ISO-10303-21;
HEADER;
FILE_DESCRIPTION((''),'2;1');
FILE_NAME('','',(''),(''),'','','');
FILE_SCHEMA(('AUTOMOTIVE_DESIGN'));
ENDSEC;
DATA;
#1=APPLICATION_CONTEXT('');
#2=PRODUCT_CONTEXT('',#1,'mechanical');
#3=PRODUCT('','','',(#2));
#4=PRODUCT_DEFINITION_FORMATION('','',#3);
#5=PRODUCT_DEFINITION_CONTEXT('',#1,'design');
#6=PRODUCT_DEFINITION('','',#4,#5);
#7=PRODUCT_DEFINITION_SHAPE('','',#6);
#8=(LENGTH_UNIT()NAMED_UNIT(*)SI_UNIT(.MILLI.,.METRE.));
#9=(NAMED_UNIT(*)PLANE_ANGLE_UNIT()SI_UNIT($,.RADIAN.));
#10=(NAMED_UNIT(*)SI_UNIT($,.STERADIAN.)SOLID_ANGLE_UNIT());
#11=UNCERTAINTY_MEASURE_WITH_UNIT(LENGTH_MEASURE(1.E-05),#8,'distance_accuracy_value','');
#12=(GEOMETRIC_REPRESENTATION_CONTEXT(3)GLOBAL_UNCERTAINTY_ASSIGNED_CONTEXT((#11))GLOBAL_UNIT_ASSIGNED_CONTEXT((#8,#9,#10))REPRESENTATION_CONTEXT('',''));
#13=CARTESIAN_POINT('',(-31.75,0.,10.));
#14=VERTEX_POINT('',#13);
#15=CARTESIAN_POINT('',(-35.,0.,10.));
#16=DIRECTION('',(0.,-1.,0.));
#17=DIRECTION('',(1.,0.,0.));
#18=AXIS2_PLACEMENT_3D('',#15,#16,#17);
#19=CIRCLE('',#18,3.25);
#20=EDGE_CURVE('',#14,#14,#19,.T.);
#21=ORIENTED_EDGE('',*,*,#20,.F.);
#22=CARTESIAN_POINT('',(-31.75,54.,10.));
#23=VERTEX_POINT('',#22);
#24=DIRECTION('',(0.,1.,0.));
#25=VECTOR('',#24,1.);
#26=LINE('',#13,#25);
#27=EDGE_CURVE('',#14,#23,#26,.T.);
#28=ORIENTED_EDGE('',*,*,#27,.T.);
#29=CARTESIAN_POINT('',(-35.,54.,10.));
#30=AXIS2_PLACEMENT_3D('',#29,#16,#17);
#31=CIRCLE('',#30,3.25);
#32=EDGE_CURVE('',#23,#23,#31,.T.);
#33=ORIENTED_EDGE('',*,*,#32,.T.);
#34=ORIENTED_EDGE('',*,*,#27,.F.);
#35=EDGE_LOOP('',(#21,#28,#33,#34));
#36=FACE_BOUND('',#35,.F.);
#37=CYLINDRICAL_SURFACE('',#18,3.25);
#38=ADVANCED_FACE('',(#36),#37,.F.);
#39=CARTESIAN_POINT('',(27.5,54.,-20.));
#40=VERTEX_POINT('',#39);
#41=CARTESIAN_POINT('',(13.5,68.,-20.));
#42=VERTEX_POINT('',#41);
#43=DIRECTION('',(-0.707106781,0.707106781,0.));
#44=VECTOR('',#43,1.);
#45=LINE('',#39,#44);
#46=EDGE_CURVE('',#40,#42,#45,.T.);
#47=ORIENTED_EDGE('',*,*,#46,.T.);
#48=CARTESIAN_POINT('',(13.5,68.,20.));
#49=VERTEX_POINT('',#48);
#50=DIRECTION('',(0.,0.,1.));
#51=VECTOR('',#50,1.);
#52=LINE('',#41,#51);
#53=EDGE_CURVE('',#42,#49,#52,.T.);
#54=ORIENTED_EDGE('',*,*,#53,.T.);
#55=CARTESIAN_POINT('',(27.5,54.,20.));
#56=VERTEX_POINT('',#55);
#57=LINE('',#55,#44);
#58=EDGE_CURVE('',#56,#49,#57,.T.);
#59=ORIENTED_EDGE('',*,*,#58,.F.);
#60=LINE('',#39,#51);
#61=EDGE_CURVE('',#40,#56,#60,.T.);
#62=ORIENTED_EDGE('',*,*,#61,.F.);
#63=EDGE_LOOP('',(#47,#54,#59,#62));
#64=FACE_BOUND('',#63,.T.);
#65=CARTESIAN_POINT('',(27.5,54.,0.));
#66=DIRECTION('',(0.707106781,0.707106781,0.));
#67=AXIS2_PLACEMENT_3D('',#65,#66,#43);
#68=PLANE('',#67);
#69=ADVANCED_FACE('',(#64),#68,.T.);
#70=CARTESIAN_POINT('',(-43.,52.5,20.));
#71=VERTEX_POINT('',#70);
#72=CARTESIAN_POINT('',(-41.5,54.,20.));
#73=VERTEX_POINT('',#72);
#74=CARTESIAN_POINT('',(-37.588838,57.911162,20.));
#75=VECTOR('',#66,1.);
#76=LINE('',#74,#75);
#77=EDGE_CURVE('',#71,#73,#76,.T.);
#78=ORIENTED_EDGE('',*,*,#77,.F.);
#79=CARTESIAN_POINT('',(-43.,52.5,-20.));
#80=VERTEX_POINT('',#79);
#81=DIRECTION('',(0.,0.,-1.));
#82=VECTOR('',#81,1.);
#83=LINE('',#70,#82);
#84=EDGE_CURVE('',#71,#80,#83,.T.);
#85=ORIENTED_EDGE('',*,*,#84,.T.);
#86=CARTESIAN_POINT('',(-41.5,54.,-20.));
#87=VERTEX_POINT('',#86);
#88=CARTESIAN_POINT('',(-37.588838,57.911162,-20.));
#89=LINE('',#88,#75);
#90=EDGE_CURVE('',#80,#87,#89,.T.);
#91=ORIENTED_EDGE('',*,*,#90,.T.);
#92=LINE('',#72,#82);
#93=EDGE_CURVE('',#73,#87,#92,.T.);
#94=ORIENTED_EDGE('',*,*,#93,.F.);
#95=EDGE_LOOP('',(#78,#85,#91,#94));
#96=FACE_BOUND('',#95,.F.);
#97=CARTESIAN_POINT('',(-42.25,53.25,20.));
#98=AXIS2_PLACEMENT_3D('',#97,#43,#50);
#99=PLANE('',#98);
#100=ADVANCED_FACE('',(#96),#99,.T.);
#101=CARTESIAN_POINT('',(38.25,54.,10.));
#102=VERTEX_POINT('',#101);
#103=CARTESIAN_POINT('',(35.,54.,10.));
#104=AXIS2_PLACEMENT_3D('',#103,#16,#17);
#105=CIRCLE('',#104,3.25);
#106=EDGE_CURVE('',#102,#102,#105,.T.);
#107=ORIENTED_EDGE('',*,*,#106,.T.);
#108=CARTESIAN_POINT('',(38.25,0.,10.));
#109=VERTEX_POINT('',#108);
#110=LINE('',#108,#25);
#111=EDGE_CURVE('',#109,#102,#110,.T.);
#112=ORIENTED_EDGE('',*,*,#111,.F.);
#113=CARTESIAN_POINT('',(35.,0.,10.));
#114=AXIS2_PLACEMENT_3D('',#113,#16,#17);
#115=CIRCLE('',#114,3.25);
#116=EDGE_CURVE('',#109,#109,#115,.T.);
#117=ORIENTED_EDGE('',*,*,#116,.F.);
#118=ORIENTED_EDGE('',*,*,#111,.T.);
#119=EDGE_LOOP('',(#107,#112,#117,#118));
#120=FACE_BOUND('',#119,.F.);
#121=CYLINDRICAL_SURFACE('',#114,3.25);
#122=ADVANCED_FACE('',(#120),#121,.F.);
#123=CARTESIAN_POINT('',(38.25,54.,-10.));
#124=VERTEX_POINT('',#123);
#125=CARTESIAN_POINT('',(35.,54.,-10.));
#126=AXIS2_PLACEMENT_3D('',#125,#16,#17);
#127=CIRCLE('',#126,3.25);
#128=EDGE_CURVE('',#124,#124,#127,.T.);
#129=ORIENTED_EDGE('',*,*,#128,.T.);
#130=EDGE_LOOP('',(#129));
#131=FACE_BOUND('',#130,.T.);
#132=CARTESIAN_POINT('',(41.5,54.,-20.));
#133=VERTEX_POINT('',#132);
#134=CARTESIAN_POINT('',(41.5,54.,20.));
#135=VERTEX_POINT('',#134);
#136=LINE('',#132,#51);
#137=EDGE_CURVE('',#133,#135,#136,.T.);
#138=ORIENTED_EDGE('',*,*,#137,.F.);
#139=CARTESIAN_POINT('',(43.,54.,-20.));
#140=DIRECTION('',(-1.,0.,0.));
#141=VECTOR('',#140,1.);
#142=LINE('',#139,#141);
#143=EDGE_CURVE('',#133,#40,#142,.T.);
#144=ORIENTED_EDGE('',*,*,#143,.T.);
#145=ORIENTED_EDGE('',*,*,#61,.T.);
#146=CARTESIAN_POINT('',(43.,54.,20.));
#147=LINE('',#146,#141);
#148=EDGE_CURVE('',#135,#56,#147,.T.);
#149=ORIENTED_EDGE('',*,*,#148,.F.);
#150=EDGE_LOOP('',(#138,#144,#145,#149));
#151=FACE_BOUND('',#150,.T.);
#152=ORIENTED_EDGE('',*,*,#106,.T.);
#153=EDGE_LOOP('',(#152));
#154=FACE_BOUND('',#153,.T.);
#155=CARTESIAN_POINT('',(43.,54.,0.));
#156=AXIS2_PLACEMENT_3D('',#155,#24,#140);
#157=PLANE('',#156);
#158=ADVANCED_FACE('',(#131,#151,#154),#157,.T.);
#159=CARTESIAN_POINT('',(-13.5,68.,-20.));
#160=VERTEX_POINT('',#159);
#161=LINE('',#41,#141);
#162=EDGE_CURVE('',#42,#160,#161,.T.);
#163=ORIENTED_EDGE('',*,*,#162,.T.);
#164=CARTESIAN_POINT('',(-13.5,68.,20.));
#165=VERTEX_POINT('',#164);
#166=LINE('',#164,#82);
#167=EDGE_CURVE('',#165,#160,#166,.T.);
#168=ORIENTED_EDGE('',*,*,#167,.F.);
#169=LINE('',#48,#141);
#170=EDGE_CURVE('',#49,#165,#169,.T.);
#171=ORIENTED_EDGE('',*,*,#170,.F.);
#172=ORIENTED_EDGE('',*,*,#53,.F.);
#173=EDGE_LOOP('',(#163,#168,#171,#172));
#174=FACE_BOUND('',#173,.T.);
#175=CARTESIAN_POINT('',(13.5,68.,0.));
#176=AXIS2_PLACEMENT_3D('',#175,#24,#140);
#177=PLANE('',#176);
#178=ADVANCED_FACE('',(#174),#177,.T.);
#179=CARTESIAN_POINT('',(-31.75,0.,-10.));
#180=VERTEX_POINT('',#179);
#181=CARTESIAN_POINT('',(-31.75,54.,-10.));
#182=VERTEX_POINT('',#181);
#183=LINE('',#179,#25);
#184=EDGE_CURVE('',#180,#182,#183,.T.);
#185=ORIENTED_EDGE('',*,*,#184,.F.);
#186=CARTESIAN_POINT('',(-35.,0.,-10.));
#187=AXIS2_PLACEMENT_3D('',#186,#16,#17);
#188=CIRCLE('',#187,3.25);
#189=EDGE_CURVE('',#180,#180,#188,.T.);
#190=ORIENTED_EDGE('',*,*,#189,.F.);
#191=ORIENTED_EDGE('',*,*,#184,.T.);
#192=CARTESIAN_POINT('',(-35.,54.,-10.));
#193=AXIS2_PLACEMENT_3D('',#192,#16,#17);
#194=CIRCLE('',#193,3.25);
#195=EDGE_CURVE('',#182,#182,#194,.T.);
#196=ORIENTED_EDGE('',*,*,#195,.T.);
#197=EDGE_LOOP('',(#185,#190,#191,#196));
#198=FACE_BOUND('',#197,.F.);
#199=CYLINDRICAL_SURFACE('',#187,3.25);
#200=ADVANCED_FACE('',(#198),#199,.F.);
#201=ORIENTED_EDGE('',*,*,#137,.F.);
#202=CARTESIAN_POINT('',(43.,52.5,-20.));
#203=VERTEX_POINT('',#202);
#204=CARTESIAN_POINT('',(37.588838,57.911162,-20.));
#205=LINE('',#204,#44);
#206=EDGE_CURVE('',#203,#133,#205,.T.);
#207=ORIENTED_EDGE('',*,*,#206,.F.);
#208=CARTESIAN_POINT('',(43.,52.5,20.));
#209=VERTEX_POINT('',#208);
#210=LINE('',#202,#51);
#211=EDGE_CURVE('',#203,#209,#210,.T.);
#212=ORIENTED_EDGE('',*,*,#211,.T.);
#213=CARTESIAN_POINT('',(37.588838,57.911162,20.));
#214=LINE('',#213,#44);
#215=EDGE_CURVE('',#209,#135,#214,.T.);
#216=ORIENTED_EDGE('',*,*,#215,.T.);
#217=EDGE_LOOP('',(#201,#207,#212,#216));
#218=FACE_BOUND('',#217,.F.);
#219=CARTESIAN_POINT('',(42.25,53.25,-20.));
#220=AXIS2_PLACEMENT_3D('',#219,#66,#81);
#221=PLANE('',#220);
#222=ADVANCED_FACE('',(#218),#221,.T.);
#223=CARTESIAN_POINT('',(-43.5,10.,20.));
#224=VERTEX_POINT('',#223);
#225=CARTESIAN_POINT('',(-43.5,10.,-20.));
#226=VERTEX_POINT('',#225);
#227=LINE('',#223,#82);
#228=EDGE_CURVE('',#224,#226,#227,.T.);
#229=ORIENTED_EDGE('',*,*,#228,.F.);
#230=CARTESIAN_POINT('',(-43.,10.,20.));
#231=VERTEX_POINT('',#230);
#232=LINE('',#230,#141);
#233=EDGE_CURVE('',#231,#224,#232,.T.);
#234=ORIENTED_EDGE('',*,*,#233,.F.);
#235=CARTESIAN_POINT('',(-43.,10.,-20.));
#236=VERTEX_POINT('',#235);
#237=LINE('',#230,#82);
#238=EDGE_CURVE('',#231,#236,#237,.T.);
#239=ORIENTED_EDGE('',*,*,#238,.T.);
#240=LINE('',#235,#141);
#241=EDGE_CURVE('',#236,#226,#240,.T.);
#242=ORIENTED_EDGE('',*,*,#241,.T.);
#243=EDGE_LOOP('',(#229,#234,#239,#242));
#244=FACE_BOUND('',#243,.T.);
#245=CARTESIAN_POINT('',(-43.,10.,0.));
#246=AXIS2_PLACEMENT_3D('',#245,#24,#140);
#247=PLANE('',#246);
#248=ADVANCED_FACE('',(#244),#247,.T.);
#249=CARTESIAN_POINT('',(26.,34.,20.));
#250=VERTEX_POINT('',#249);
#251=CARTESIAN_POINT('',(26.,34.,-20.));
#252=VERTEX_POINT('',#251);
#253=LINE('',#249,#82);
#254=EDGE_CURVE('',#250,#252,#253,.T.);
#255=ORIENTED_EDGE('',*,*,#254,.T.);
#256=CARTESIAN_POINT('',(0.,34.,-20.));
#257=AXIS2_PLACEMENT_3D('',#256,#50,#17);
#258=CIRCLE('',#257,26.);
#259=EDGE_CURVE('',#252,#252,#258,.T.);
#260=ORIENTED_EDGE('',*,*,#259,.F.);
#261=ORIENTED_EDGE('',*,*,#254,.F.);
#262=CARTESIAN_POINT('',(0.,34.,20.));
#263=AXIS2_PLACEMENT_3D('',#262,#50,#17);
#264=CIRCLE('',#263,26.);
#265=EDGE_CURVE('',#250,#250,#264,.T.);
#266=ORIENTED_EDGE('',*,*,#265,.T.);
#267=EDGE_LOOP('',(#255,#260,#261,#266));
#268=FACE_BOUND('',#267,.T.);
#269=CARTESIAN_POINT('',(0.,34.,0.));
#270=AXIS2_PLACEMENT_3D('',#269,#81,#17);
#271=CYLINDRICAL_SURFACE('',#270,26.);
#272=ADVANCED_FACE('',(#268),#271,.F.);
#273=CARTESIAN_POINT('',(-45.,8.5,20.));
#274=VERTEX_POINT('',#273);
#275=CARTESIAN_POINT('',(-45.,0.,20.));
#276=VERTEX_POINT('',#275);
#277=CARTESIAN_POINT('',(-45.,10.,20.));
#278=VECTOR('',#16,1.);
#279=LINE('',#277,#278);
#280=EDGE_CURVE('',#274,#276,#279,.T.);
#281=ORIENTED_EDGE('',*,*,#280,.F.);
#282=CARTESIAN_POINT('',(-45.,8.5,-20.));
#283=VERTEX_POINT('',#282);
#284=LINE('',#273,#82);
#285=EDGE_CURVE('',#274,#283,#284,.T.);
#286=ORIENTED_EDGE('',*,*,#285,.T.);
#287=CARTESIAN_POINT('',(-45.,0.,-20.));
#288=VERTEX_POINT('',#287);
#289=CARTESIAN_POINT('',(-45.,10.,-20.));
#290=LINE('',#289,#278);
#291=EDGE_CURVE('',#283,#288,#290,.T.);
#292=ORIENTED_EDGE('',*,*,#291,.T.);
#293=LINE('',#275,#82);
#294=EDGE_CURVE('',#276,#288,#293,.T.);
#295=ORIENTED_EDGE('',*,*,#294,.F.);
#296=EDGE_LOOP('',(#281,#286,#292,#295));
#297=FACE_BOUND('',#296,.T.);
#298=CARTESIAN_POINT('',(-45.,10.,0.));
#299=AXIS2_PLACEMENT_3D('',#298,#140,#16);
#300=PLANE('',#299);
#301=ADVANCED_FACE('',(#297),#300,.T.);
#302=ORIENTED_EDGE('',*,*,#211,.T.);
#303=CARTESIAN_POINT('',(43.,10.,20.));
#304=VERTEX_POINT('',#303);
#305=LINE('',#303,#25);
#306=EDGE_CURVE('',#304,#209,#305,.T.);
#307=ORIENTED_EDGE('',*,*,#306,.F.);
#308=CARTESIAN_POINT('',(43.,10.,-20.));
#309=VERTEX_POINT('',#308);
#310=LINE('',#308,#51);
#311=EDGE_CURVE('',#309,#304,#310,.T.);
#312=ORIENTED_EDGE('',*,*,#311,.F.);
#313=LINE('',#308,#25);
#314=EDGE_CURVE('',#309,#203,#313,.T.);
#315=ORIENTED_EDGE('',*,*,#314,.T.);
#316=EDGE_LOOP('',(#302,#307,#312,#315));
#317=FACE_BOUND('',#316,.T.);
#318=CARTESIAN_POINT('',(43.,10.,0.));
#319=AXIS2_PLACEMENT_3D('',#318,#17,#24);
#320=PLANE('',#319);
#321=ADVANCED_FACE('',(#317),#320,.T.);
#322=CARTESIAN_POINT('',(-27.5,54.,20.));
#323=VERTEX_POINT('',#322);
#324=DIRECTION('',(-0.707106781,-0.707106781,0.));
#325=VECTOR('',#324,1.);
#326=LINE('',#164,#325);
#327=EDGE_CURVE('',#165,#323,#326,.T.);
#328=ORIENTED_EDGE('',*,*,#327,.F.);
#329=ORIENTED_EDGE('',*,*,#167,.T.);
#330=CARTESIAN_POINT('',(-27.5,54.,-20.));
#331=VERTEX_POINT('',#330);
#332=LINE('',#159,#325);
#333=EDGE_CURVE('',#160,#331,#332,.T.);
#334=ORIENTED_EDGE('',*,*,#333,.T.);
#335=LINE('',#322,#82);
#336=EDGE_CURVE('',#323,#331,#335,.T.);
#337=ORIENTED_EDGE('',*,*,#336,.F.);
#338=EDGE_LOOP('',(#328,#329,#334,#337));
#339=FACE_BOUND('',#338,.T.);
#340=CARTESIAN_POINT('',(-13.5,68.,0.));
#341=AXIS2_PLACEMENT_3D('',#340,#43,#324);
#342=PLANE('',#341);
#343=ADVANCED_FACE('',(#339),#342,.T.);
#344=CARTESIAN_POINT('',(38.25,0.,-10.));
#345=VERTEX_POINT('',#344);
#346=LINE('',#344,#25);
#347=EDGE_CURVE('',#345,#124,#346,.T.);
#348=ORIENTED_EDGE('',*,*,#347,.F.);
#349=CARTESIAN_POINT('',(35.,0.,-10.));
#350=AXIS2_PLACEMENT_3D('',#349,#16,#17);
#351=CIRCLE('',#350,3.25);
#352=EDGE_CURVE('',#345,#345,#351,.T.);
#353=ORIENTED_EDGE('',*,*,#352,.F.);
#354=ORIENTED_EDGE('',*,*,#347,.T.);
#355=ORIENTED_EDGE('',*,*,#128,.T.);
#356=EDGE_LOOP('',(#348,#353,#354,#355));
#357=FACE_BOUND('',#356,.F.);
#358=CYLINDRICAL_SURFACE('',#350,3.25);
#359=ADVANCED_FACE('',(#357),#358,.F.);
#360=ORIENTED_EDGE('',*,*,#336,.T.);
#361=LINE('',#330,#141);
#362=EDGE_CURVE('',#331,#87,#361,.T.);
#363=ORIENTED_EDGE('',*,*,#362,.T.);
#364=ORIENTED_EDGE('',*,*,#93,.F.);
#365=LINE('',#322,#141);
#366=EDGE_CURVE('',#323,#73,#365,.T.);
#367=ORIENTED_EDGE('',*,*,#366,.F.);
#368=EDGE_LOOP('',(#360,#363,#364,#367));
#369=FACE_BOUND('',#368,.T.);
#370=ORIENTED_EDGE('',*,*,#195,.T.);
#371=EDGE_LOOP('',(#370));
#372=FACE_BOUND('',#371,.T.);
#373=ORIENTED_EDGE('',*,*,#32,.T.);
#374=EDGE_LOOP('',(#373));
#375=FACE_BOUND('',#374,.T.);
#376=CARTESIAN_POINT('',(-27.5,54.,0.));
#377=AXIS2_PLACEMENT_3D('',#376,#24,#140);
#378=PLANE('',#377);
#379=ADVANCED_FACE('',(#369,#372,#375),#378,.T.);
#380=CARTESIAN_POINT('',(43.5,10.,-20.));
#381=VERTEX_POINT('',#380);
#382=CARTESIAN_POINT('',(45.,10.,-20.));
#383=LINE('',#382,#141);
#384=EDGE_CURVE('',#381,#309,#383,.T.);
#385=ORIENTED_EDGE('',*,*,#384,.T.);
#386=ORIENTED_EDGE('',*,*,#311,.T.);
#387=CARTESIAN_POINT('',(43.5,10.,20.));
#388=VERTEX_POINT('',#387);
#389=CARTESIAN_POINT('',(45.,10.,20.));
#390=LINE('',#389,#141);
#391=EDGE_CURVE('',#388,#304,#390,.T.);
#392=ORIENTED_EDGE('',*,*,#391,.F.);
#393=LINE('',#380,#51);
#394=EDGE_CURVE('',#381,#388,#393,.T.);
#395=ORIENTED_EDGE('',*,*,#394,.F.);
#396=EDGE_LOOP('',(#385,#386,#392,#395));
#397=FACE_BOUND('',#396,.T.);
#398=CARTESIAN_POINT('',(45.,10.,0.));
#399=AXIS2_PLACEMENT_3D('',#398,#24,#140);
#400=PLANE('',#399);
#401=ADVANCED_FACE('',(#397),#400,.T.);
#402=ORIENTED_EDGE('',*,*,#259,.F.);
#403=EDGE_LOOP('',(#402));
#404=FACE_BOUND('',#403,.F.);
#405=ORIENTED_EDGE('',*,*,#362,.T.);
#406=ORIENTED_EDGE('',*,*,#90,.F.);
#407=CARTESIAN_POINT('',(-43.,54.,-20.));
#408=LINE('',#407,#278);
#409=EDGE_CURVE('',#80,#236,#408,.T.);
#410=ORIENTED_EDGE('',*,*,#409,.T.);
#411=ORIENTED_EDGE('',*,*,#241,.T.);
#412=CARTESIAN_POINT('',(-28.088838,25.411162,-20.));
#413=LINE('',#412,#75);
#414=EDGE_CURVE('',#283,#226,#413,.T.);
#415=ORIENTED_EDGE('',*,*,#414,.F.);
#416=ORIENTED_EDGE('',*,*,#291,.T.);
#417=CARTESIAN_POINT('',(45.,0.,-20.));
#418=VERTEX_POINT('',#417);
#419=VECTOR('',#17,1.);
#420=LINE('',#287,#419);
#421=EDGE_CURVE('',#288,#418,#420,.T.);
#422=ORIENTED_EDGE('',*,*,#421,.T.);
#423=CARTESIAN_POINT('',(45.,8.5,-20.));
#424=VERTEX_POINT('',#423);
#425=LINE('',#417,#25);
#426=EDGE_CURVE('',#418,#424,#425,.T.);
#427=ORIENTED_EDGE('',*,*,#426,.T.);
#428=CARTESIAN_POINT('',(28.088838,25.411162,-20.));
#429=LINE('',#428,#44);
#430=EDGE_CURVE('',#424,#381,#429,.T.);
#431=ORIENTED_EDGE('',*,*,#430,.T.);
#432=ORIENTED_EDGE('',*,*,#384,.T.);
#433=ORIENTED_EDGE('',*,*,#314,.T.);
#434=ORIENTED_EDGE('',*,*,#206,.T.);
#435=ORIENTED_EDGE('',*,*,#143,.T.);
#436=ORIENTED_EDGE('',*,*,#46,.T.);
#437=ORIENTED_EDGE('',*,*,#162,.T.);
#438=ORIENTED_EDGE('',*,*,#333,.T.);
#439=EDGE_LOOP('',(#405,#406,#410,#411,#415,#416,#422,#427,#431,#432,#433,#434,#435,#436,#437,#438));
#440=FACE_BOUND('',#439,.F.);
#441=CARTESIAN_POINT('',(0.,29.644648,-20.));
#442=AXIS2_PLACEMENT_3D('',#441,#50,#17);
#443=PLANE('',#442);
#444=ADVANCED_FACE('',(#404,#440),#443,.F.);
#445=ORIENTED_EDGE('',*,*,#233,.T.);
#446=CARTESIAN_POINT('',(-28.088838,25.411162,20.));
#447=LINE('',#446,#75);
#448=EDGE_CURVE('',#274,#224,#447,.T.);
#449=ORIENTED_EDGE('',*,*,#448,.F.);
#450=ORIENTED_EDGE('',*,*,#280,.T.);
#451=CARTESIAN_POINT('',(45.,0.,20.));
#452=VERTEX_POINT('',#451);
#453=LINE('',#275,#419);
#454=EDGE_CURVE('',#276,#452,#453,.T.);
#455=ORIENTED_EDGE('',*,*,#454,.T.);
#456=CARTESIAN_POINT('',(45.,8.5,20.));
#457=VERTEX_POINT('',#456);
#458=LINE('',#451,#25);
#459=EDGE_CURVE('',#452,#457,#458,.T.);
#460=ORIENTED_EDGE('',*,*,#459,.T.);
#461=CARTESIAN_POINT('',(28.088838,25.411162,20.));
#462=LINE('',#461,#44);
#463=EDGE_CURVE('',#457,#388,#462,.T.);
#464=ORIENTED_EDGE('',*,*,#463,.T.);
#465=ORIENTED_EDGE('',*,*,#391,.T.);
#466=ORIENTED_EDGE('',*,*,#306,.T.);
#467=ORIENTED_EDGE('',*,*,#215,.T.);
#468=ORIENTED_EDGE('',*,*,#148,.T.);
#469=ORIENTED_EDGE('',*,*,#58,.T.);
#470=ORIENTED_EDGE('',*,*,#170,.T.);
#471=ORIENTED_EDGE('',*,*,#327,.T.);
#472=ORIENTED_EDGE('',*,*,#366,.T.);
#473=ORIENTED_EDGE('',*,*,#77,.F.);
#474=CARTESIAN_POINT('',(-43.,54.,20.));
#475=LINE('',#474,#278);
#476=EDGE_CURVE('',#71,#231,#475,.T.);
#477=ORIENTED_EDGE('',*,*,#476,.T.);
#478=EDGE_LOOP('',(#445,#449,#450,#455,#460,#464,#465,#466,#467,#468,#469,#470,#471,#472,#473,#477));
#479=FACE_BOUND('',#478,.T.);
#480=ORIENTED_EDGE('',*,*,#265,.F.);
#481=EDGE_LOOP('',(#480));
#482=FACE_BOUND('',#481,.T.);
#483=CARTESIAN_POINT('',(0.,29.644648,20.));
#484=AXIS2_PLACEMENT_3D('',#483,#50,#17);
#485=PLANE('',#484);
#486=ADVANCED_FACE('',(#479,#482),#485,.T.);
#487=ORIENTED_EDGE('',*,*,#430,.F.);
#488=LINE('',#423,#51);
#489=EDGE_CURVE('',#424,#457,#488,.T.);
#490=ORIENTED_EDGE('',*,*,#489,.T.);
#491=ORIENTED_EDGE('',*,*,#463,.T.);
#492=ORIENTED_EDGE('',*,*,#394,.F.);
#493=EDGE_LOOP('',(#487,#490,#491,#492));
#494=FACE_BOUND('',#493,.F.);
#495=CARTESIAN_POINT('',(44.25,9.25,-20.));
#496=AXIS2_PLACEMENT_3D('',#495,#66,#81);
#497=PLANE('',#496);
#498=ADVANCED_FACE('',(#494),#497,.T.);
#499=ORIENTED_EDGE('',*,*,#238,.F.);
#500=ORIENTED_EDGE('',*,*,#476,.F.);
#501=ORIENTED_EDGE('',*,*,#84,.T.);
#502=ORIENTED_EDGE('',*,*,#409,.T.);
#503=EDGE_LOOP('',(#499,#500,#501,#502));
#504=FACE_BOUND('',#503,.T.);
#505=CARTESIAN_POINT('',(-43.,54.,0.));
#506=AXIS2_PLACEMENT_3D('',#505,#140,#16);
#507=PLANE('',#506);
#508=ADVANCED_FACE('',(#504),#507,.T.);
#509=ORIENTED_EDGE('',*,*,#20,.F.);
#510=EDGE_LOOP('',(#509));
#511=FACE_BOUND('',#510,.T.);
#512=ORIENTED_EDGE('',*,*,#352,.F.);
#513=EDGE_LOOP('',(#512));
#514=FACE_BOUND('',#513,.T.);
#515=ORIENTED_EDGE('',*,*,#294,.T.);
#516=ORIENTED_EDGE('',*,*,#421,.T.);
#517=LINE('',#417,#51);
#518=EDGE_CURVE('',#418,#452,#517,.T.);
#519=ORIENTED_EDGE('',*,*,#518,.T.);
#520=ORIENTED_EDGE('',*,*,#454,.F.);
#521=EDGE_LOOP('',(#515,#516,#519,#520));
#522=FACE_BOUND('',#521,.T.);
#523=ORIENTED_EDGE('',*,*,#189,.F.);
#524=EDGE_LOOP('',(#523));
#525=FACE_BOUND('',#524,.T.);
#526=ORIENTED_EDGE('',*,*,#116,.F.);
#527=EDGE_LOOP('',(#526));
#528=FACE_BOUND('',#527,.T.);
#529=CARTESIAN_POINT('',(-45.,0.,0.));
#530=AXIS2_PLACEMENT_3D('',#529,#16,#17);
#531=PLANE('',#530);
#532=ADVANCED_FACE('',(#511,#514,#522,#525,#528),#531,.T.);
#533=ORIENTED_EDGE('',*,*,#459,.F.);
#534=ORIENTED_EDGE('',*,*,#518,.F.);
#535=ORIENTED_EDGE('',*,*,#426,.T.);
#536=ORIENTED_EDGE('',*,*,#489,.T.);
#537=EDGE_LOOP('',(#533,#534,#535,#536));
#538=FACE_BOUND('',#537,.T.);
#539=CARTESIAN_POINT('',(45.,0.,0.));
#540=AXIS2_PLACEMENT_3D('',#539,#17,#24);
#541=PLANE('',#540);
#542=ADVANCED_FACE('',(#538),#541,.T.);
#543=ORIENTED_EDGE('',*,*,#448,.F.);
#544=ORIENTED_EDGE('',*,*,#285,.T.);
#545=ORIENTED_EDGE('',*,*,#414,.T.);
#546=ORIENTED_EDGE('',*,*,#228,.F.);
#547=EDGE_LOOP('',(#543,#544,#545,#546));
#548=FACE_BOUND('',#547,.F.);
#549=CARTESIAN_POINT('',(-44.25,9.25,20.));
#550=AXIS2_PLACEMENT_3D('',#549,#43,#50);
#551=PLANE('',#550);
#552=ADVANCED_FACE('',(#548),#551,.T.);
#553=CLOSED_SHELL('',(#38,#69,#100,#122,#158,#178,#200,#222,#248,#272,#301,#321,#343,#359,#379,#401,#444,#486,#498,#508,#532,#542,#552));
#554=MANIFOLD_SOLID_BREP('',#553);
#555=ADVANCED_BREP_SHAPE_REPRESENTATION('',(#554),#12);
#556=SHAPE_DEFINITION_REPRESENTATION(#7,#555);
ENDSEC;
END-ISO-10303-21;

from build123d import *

# Parameters (mm, degrees)
SKETCH_R     = 26
PAD_DEPTH    = 20
SKETCH001_R  = 3.25
POCKET_DEPTH = 55
CHAMFER_SIZE = 1.5


with BuildPart() as part:
    # Sketch → Pad (new body, symmetric)
    with BuildSketch(Plane.XY):
        Polygon((-45, 0), (45, 0), (45, 10), (43, 10), (43, 54), (27.5, 54), (13.5, 68), (-13.5, 68), (-27.5, 54), (-43, 54), (-43, 10), (-45, 10), align=None)
        with Locations((0, 34)):
            Circle(SKETCH_R, mode=Mode.SUBTRACT)
    extrude(amount=PAD_DEPTH, both=True)

    # Sketch001 (on Face1 of Pad) → Pocket (cut)
    with BuildSketch(Plane.XZ):
        with Locations((-35, 10)):
            Circle(SKETCH001_R)
        with Locations((35, 10)):
            Circle(SKETCH001_R)
        with Locations((35, -10)):
            Circle(SKETCH001_R)
        with Locations((-35, -10)):
            Circle(SKETCH001_R)
    extrude(amount=-POCKET_DEPTH, mode=Mode.SUBTRACT)

    # Chamfer
    chamfer_edges = [part.edges().sort_by_distance(p)[0] for p in [
        (45, 10, 0),
        (-45, 10, 0),
        (-43, 54, 0),
        (43, 54, 0),
    ]]
    chamfer(chamfer_edges, length=CHAMFER_SIZE)


solid = part.part
